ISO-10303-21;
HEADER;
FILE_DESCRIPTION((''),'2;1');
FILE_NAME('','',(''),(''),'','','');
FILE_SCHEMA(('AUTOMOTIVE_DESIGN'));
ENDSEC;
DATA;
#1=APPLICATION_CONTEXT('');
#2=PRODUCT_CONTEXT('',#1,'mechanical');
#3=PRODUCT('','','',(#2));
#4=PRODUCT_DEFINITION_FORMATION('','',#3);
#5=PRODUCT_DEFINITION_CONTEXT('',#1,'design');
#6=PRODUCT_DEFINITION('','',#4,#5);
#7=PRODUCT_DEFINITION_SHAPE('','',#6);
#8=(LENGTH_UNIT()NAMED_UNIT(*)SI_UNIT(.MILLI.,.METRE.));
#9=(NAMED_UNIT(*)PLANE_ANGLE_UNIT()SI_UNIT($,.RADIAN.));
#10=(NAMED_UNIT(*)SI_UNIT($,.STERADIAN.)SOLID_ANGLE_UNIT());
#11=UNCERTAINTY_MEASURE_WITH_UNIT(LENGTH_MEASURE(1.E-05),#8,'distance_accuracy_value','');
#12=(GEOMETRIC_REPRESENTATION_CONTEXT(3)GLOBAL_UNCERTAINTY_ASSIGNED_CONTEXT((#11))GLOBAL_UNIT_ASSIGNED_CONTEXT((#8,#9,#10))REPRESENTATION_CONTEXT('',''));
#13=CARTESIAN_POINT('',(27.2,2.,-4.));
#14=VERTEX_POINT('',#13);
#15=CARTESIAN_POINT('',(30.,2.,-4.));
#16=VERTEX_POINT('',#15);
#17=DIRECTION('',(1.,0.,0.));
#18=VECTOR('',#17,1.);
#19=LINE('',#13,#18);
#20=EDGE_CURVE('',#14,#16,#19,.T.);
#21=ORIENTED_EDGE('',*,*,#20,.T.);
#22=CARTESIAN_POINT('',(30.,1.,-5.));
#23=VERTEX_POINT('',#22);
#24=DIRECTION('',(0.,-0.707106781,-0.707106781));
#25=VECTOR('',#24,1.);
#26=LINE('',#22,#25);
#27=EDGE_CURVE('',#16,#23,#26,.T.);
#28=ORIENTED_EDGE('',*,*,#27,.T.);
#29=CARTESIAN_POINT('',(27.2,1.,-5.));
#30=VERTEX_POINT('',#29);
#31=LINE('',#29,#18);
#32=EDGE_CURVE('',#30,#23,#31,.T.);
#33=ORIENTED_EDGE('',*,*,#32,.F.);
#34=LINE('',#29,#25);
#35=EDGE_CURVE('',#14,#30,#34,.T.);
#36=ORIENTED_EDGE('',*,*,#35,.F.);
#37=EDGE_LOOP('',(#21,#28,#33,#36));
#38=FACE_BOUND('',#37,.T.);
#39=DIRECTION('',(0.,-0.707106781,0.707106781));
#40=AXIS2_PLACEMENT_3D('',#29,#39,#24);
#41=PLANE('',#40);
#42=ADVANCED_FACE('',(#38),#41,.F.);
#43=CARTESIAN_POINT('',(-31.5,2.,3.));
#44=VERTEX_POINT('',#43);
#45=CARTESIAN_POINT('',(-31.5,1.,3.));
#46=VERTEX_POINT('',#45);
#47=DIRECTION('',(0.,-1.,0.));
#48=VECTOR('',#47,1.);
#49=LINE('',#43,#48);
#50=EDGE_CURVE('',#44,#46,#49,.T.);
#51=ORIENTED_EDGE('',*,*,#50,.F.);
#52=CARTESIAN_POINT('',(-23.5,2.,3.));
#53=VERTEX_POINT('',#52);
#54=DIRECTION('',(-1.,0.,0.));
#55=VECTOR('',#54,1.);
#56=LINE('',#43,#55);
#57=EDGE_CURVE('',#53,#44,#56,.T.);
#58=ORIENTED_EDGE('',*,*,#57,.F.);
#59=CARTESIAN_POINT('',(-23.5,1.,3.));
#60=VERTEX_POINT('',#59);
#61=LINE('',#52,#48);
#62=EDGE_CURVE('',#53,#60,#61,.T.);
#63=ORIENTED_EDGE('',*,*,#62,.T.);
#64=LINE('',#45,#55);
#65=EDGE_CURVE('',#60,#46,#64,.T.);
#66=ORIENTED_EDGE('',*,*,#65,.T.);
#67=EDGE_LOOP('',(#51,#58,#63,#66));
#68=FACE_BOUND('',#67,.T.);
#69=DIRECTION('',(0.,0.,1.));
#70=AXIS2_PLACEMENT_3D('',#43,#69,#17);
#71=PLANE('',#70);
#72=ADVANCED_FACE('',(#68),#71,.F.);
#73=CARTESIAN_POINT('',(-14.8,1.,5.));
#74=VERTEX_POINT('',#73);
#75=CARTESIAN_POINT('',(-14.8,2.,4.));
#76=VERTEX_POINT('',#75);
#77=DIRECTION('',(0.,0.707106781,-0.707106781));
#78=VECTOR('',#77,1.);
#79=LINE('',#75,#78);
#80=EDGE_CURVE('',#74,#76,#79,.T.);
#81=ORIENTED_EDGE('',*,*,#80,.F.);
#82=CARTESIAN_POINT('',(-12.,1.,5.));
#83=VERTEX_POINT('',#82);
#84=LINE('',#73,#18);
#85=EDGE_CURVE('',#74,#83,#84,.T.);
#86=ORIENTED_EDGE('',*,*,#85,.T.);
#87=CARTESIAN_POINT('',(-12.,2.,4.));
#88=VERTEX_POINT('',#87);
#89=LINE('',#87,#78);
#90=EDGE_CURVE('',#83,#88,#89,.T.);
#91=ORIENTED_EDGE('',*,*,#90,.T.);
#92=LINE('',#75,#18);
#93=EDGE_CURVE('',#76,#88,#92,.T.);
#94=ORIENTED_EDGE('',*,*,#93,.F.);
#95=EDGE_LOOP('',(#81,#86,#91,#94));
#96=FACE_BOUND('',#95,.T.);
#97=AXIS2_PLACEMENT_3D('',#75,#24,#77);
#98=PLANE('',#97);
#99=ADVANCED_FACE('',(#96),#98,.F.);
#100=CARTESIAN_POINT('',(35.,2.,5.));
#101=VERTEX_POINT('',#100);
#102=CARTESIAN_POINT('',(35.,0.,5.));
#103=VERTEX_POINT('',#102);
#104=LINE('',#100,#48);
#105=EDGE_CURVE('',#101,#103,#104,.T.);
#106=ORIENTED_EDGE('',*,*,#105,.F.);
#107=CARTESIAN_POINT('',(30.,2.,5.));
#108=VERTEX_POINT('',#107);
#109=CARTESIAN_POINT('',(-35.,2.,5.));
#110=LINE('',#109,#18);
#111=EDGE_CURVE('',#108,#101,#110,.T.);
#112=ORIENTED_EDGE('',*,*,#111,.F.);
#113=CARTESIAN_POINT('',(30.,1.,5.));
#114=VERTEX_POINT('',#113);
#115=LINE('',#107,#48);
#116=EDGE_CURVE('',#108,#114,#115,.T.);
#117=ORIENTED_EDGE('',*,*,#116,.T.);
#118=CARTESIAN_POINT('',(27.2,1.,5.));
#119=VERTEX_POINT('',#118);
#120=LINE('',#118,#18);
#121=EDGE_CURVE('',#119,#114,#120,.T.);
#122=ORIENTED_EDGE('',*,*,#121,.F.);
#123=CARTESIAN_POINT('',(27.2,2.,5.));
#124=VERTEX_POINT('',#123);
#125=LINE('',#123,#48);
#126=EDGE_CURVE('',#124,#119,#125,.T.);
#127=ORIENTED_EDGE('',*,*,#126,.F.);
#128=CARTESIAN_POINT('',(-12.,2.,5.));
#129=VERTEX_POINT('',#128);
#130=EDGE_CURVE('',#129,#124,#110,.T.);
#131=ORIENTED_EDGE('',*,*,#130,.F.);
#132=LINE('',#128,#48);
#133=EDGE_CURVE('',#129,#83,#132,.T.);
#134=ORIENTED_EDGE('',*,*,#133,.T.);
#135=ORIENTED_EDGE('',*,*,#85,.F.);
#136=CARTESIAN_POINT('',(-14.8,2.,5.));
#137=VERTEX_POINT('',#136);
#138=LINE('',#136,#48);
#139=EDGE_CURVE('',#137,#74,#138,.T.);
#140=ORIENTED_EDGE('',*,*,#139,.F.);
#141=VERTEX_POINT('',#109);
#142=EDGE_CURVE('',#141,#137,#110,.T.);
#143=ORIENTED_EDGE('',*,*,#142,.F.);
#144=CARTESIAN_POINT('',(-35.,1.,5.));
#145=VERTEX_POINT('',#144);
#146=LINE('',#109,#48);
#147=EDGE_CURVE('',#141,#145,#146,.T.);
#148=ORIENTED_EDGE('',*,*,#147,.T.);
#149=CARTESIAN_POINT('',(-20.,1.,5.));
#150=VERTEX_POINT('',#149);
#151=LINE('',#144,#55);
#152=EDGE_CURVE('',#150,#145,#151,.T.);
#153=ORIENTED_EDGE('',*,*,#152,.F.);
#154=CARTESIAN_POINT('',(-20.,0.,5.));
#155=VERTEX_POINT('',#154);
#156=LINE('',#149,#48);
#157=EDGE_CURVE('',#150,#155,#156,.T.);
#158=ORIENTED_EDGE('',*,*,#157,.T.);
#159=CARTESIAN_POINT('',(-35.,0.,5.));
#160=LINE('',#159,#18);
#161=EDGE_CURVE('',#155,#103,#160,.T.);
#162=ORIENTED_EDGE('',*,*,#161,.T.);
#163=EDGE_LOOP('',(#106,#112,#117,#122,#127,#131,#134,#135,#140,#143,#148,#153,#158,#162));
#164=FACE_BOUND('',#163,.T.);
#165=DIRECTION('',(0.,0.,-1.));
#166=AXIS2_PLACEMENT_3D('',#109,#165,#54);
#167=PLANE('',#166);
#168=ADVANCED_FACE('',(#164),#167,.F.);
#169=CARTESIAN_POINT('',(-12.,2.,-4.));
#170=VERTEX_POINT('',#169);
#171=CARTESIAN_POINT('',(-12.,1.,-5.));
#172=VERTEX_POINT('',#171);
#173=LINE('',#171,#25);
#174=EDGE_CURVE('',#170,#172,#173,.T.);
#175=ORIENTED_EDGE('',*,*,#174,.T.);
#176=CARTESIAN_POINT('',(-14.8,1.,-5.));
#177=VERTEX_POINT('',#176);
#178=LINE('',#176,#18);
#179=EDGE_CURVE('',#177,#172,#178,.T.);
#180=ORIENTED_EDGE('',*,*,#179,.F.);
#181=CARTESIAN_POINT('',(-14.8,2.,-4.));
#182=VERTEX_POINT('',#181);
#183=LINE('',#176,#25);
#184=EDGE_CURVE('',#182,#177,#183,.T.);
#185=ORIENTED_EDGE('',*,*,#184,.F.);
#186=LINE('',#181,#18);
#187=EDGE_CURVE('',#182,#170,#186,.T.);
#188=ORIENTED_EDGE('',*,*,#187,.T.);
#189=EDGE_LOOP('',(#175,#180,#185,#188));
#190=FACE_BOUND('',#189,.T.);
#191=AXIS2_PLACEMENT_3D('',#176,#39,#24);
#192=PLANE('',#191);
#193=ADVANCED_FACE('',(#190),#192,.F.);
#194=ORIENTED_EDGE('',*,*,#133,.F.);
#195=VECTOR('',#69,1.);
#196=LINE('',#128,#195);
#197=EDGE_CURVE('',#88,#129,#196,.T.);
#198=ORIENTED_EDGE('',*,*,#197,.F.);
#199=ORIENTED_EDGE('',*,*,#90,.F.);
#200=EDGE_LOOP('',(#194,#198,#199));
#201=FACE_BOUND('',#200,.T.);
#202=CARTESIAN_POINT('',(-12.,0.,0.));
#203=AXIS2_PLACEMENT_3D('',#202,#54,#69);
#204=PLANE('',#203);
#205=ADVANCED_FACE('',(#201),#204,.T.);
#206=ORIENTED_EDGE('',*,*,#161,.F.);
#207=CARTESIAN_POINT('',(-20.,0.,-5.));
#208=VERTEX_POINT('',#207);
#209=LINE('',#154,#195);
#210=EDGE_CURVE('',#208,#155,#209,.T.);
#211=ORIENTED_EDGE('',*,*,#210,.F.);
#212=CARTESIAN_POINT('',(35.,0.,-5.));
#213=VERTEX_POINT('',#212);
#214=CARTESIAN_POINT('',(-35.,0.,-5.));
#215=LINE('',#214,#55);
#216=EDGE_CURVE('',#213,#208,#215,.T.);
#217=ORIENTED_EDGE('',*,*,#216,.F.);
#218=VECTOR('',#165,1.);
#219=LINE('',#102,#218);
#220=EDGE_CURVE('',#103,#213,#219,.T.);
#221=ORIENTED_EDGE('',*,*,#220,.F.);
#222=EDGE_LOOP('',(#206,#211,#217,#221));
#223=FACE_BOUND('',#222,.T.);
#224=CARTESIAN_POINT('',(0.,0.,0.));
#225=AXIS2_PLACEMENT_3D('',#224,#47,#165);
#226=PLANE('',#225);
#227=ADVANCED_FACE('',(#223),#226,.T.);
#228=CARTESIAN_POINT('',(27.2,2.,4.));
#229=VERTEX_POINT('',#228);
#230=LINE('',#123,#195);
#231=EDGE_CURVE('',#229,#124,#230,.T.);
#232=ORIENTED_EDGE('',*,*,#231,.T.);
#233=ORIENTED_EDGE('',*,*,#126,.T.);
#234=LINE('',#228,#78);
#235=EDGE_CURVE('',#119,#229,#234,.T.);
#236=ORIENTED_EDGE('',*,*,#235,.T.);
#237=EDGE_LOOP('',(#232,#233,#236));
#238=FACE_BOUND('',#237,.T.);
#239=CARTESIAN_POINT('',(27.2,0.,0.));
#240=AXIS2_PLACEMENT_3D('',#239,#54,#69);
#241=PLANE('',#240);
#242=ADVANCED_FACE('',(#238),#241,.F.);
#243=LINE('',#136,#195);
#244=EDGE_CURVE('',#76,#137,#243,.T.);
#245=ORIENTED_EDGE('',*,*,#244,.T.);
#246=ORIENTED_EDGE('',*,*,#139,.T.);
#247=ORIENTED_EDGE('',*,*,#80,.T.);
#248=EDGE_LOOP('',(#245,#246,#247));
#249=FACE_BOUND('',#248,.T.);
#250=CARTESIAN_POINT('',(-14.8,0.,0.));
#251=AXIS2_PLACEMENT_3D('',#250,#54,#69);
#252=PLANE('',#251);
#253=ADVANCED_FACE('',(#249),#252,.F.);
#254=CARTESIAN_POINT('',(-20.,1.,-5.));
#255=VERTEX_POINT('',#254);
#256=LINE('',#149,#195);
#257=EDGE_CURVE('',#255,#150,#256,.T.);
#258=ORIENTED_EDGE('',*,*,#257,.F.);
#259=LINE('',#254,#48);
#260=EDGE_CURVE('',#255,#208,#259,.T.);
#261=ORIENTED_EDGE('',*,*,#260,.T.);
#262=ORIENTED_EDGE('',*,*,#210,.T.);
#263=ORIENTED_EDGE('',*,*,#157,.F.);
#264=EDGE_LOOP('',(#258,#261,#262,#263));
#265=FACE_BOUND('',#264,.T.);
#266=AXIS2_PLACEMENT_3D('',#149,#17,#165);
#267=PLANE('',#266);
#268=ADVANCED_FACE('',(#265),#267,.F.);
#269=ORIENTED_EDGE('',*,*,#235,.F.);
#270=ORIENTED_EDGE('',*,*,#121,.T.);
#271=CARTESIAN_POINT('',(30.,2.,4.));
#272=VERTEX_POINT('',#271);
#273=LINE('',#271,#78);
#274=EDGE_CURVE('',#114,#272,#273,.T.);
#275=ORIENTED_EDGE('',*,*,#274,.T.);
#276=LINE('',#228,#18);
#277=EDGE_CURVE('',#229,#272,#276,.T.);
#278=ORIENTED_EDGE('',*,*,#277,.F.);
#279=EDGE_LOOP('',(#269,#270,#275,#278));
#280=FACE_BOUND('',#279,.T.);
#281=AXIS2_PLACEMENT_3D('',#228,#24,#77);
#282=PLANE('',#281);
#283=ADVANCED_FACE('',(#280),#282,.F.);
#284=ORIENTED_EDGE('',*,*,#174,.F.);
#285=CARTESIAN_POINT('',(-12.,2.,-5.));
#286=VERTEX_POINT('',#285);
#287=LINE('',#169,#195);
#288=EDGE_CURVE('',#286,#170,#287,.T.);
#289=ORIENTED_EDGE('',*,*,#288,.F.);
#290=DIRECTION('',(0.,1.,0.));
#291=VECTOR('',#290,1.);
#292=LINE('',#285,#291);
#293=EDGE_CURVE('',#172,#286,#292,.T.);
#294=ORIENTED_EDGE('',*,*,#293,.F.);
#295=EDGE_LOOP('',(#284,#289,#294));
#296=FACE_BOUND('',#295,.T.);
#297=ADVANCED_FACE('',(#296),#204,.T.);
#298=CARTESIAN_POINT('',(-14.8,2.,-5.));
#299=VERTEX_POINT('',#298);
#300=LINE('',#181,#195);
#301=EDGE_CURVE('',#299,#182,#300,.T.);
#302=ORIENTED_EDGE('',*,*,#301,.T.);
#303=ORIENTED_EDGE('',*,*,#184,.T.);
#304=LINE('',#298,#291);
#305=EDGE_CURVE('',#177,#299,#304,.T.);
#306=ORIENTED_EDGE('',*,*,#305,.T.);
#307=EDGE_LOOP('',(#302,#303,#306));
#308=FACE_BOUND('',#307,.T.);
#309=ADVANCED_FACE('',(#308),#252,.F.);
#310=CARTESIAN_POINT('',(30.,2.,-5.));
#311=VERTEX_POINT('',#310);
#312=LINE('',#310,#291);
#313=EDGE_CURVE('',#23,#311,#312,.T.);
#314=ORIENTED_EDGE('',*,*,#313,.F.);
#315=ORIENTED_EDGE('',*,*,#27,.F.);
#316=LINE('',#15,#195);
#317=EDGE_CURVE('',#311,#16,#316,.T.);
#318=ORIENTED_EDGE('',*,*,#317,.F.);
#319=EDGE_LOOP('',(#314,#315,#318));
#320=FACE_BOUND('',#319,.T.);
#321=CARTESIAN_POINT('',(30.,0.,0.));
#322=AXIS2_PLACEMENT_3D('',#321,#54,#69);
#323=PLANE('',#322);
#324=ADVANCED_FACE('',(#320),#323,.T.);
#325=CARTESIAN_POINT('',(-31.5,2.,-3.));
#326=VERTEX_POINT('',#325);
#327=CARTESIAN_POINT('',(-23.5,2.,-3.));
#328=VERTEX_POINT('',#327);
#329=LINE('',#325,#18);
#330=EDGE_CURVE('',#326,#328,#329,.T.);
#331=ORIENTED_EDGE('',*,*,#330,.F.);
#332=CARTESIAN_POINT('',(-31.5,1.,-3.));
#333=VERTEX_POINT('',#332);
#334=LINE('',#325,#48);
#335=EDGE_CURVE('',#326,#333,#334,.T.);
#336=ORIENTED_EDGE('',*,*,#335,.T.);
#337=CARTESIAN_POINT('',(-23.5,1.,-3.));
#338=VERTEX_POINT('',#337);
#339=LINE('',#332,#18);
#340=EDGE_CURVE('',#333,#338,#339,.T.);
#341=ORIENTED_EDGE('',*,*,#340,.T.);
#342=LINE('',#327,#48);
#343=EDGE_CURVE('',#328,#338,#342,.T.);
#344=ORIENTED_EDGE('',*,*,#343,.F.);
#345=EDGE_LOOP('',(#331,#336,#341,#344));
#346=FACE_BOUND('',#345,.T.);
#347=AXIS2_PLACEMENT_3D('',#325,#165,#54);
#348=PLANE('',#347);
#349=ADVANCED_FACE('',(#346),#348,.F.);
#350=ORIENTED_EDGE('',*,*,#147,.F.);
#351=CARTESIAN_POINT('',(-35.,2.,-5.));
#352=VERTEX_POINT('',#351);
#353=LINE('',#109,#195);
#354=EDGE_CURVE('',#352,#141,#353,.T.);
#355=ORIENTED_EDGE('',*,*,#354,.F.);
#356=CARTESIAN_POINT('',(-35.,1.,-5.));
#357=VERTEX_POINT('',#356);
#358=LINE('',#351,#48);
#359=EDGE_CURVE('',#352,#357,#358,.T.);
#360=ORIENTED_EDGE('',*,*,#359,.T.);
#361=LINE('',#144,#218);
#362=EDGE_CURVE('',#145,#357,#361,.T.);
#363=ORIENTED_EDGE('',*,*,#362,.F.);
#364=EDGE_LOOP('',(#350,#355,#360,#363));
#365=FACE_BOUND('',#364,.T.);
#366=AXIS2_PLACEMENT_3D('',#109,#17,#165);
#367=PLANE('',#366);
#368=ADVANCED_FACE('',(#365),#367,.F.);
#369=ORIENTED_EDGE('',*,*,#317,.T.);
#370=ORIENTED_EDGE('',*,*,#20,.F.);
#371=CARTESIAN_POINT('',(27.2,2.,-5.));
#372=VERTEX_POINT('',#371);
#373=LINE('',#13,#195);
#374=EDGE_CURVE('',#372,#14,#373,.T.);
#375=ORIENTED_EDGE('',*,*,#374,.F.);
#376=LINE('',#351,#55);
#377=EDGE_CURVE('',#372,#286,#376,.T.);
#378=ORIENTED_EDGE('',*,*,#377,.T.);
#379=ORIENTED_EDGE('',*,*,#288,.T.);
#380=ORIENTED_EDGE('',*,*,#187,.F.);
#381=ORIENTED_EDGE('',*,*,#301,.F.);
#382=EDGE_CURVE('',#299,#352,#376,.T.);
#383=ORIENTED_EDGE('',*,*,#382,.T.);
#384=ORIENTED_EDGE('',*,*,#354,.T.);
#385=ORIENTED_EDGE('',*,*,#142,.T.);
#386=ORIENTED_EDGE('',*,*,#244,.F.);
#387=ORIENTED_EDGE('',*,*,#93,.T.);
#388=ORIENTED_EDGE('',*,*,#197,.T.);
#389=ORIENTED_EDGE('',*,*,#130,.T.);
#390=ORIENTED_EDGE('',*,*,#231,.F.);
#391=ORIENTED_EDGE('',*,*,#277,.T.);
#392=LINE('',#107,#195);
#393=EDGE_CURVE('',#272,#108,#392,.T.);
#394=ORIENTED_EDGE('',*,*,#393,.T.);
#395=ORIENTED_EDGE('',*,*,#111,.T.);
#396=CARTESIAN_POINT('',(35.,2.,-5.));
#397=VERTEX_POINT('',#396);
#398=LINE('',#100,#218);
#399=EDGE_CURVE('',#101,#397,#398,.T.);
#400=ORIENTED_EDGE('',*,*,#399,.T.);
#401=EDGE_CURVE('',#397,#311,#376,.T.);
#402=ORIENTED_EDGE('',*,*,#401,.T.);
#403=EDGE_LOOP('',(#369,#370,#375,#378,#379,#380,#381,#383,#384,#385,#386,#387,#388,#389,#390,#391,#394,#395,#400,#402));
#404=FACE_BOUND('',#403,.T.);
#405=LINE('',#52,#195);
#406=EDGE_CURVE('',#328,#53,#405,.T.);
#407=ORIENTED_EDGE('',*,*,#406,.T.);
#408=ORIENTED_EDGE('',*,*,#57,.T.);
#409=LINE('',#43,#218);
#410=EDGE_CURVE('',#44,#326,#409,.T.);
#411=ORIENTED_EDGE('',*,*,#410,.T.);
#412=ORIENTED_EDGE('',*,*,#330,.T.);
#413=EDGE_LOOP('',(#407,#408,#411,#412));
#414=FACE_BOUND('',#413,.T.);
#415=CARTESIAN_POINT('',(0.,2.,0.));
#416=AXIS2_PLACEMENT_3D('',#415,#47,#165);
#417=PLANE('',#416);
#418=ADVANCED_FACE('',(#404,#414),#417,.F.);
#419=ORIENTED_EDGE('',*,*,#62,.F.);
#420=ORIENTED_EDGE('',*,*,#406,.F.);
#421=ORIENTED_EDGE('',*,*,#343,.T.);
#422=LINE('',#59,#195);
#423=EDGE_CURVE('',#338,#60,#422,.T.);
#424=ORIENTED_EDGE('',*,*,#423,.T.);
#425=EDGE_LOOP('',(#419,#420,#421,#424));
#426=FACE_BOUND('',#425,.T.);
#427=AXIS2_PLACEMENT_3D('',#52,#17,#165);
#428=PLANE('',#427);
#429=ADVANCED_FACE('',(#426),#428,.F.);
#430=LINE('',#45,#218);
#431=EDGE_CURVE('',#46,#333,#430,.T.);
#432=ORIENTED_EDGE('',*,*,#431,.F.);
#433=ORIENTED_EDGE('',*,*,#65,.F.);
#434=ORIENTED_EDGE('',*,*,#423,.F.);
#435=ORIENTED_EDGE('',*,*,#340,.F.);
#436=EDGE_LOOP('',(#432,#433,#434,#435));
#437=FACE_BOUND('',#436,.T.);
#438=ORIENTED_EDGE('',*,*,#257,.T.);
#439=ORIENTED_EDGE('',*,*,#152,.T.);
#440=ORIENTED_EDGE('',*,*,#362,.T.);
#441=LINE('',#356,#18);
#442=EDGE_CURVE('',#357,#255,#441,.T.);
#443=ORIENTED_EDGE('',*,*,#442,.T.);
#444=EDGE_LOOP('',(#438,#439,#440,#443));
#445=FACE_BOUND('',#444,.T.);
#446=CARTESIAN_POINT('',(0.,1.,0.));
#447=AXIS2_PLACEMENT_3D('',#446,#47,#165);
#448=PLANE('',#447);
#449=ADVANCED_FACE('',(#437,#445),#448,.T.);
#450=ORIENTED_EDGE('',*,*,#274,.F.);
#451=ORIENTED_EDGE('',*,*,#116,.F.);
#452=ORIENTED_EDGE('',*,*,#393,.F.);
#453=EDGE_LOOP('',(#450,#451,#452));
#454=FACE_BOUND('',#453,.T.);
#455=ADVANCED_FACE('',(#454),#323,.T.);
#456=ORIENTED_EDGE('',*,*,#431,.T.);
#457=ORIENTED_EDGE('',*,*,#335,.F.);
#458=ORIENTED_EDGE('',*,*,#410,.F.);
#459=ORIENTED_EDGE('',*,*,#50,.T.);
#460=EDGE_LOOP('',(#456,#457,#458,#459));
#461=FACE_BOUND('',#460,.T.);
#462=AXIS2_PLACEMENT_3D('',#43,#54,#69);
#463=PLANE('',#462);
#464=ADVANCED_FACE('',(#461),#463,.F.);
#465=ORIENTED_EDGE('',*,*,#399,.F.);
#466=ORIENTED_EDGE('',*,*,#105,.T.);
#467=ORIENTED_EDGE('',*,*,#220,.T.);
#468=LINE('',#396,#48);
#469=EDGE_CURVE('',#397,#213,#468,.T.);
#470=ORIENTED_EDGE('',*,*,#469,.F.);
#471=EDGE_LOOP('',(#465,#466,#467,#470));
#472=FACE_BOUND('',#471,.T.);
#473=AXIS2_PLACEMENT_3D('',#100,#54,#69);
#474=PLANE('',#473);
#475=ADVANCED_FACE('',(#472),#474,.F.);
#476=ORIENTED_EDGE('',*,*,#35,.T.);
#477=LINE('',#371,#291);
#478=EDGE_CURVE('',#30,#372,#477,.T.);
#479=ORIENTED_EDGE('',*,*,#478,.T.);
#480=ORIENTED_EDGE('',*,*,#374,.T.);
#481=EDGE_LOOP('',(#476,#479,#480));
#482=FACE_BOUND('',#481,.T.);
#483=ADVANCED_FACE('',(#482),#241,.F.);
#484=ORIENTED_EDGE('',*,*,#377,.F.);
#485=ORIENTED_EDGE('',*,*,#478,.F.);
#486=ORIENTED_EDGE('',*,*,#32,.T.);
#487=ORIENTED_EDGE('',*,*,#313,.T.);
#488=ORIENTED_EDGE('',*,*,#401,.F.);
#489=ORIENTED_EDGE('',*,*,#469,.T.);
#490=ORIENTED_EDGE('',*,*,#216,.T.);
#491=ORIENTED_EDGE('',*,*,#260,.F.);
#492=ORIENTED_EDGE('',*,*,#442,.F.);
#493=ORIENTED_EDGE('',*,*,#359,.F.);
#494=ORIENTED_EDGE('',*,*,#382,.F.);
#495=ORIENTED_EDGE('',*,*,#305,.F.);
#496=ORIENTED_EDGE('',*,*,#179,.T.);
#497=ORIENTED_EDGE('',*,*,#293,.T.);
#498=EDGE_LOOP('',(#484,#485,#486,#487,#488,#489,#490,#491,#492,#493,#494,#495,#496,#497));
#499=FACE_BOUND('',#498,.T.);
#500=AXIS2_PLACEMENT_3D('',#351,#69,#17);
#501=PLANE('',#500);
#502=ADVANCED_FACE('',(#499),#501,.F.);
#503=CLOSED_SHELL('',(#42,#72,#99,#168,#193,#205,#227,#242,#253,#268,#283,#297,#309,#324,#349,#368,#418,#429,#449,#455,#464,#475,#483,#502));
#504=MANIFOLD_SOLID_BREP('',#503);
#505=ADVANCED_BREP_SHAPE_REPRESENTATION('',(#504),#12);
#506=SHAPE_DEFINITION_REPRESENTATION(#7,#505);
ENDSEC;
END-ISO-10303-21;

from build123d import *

# Parameters (mm, degrees)
SKETCH1_W           = 70
SKETCH1_H           = 10
BOSS_EXTRUDE1_DEPTH = 2
CUT_EXTRUDE1_START  = -5
CUT_EXTRUDE1_DEPTH  = 2.8
CUT_EXTRUDE2_START  = -47
CUT_EXTRUDE2_DEPTH  = 2.8
SKETCH3_W           = 15
SKETCH3_H           = 10
CUT_EXTRUDE3_DEPTH  = 1
SKETCH4_W           = 8
SKETCH4_H           = 6
CUT_EXTRUDE4_DEPTH  = 36.369478368


with BuildPart() as part:
    # Sketch1 → Boss-Extrude1 (new body)
    with BuildSketch(Plane(origin=(0, 0, 0), x_dir=(1, 0, 0), z_dir=(0, 1, 0))):
        Rectangle(SKETCH1_W, SKETCH1_H)
    extrude(amount=BOSS_EXTRUDE1_DEPTH)

    # Sketch2 → Cut-Extrude1 (cut)
    with BuildSketch(Plane(origin=(35, 0, 0), x_dir=(0, 0, -1), z_dir=(1, 0, 0)).offset(CUT_EXTRUDE1_START)):
        Polygon((-5, 2), (-5, 1), (-4, 2), align=None)
        Polygon((5, 2), (5, 1), (4, 2), align=None)
    extrude(amount=-CUT_EXTRUDE1_DEPTH, mode=Mode.SUBTRACT)

    # Sketch2<2> → Cut-Extrude2 (cut)
    with BuildSketch(Plane(origin=(35, 0, 0), x_dir=(0, 0, -1), z_dir=(1, 0, 0)).offset(CUT_EXTRUDE2_START)):
        Polygon((-5, 2), (-5, 1), (-4, 2), align=None)
        Polygon((5, 2), (5, 1), (4, 2), align=None)
    extrude(amount=-CUT_EXTRUDE2_DEPTH, mode=Mode.SUBTRACT)

    # Sketch3 → Cut-Extrude3 (cut)
    with BuildSketch(Plane.XZ):
        with Locations((-27.5, 0)):
            Rectangle(SKETCH3_W, SKETCH3_H)
    extrude(amount=-CUT_EXTRUDE3_DEPTH, mode=Mode.SUBTRACT)

    # Sketch4 → Cut-Extrude4 (cut, through all)
    with BuildSketch(Plane.XZ.offset(-1)):
        with Locations((-27.5, 0)):
            Rectangle(SKETCH4_W, SKETCH4_H)
    extrude(amount=-CUT_EXTRUDE4_DEPTH, mode=Mode.SUBTRACT)


solid = part.part
